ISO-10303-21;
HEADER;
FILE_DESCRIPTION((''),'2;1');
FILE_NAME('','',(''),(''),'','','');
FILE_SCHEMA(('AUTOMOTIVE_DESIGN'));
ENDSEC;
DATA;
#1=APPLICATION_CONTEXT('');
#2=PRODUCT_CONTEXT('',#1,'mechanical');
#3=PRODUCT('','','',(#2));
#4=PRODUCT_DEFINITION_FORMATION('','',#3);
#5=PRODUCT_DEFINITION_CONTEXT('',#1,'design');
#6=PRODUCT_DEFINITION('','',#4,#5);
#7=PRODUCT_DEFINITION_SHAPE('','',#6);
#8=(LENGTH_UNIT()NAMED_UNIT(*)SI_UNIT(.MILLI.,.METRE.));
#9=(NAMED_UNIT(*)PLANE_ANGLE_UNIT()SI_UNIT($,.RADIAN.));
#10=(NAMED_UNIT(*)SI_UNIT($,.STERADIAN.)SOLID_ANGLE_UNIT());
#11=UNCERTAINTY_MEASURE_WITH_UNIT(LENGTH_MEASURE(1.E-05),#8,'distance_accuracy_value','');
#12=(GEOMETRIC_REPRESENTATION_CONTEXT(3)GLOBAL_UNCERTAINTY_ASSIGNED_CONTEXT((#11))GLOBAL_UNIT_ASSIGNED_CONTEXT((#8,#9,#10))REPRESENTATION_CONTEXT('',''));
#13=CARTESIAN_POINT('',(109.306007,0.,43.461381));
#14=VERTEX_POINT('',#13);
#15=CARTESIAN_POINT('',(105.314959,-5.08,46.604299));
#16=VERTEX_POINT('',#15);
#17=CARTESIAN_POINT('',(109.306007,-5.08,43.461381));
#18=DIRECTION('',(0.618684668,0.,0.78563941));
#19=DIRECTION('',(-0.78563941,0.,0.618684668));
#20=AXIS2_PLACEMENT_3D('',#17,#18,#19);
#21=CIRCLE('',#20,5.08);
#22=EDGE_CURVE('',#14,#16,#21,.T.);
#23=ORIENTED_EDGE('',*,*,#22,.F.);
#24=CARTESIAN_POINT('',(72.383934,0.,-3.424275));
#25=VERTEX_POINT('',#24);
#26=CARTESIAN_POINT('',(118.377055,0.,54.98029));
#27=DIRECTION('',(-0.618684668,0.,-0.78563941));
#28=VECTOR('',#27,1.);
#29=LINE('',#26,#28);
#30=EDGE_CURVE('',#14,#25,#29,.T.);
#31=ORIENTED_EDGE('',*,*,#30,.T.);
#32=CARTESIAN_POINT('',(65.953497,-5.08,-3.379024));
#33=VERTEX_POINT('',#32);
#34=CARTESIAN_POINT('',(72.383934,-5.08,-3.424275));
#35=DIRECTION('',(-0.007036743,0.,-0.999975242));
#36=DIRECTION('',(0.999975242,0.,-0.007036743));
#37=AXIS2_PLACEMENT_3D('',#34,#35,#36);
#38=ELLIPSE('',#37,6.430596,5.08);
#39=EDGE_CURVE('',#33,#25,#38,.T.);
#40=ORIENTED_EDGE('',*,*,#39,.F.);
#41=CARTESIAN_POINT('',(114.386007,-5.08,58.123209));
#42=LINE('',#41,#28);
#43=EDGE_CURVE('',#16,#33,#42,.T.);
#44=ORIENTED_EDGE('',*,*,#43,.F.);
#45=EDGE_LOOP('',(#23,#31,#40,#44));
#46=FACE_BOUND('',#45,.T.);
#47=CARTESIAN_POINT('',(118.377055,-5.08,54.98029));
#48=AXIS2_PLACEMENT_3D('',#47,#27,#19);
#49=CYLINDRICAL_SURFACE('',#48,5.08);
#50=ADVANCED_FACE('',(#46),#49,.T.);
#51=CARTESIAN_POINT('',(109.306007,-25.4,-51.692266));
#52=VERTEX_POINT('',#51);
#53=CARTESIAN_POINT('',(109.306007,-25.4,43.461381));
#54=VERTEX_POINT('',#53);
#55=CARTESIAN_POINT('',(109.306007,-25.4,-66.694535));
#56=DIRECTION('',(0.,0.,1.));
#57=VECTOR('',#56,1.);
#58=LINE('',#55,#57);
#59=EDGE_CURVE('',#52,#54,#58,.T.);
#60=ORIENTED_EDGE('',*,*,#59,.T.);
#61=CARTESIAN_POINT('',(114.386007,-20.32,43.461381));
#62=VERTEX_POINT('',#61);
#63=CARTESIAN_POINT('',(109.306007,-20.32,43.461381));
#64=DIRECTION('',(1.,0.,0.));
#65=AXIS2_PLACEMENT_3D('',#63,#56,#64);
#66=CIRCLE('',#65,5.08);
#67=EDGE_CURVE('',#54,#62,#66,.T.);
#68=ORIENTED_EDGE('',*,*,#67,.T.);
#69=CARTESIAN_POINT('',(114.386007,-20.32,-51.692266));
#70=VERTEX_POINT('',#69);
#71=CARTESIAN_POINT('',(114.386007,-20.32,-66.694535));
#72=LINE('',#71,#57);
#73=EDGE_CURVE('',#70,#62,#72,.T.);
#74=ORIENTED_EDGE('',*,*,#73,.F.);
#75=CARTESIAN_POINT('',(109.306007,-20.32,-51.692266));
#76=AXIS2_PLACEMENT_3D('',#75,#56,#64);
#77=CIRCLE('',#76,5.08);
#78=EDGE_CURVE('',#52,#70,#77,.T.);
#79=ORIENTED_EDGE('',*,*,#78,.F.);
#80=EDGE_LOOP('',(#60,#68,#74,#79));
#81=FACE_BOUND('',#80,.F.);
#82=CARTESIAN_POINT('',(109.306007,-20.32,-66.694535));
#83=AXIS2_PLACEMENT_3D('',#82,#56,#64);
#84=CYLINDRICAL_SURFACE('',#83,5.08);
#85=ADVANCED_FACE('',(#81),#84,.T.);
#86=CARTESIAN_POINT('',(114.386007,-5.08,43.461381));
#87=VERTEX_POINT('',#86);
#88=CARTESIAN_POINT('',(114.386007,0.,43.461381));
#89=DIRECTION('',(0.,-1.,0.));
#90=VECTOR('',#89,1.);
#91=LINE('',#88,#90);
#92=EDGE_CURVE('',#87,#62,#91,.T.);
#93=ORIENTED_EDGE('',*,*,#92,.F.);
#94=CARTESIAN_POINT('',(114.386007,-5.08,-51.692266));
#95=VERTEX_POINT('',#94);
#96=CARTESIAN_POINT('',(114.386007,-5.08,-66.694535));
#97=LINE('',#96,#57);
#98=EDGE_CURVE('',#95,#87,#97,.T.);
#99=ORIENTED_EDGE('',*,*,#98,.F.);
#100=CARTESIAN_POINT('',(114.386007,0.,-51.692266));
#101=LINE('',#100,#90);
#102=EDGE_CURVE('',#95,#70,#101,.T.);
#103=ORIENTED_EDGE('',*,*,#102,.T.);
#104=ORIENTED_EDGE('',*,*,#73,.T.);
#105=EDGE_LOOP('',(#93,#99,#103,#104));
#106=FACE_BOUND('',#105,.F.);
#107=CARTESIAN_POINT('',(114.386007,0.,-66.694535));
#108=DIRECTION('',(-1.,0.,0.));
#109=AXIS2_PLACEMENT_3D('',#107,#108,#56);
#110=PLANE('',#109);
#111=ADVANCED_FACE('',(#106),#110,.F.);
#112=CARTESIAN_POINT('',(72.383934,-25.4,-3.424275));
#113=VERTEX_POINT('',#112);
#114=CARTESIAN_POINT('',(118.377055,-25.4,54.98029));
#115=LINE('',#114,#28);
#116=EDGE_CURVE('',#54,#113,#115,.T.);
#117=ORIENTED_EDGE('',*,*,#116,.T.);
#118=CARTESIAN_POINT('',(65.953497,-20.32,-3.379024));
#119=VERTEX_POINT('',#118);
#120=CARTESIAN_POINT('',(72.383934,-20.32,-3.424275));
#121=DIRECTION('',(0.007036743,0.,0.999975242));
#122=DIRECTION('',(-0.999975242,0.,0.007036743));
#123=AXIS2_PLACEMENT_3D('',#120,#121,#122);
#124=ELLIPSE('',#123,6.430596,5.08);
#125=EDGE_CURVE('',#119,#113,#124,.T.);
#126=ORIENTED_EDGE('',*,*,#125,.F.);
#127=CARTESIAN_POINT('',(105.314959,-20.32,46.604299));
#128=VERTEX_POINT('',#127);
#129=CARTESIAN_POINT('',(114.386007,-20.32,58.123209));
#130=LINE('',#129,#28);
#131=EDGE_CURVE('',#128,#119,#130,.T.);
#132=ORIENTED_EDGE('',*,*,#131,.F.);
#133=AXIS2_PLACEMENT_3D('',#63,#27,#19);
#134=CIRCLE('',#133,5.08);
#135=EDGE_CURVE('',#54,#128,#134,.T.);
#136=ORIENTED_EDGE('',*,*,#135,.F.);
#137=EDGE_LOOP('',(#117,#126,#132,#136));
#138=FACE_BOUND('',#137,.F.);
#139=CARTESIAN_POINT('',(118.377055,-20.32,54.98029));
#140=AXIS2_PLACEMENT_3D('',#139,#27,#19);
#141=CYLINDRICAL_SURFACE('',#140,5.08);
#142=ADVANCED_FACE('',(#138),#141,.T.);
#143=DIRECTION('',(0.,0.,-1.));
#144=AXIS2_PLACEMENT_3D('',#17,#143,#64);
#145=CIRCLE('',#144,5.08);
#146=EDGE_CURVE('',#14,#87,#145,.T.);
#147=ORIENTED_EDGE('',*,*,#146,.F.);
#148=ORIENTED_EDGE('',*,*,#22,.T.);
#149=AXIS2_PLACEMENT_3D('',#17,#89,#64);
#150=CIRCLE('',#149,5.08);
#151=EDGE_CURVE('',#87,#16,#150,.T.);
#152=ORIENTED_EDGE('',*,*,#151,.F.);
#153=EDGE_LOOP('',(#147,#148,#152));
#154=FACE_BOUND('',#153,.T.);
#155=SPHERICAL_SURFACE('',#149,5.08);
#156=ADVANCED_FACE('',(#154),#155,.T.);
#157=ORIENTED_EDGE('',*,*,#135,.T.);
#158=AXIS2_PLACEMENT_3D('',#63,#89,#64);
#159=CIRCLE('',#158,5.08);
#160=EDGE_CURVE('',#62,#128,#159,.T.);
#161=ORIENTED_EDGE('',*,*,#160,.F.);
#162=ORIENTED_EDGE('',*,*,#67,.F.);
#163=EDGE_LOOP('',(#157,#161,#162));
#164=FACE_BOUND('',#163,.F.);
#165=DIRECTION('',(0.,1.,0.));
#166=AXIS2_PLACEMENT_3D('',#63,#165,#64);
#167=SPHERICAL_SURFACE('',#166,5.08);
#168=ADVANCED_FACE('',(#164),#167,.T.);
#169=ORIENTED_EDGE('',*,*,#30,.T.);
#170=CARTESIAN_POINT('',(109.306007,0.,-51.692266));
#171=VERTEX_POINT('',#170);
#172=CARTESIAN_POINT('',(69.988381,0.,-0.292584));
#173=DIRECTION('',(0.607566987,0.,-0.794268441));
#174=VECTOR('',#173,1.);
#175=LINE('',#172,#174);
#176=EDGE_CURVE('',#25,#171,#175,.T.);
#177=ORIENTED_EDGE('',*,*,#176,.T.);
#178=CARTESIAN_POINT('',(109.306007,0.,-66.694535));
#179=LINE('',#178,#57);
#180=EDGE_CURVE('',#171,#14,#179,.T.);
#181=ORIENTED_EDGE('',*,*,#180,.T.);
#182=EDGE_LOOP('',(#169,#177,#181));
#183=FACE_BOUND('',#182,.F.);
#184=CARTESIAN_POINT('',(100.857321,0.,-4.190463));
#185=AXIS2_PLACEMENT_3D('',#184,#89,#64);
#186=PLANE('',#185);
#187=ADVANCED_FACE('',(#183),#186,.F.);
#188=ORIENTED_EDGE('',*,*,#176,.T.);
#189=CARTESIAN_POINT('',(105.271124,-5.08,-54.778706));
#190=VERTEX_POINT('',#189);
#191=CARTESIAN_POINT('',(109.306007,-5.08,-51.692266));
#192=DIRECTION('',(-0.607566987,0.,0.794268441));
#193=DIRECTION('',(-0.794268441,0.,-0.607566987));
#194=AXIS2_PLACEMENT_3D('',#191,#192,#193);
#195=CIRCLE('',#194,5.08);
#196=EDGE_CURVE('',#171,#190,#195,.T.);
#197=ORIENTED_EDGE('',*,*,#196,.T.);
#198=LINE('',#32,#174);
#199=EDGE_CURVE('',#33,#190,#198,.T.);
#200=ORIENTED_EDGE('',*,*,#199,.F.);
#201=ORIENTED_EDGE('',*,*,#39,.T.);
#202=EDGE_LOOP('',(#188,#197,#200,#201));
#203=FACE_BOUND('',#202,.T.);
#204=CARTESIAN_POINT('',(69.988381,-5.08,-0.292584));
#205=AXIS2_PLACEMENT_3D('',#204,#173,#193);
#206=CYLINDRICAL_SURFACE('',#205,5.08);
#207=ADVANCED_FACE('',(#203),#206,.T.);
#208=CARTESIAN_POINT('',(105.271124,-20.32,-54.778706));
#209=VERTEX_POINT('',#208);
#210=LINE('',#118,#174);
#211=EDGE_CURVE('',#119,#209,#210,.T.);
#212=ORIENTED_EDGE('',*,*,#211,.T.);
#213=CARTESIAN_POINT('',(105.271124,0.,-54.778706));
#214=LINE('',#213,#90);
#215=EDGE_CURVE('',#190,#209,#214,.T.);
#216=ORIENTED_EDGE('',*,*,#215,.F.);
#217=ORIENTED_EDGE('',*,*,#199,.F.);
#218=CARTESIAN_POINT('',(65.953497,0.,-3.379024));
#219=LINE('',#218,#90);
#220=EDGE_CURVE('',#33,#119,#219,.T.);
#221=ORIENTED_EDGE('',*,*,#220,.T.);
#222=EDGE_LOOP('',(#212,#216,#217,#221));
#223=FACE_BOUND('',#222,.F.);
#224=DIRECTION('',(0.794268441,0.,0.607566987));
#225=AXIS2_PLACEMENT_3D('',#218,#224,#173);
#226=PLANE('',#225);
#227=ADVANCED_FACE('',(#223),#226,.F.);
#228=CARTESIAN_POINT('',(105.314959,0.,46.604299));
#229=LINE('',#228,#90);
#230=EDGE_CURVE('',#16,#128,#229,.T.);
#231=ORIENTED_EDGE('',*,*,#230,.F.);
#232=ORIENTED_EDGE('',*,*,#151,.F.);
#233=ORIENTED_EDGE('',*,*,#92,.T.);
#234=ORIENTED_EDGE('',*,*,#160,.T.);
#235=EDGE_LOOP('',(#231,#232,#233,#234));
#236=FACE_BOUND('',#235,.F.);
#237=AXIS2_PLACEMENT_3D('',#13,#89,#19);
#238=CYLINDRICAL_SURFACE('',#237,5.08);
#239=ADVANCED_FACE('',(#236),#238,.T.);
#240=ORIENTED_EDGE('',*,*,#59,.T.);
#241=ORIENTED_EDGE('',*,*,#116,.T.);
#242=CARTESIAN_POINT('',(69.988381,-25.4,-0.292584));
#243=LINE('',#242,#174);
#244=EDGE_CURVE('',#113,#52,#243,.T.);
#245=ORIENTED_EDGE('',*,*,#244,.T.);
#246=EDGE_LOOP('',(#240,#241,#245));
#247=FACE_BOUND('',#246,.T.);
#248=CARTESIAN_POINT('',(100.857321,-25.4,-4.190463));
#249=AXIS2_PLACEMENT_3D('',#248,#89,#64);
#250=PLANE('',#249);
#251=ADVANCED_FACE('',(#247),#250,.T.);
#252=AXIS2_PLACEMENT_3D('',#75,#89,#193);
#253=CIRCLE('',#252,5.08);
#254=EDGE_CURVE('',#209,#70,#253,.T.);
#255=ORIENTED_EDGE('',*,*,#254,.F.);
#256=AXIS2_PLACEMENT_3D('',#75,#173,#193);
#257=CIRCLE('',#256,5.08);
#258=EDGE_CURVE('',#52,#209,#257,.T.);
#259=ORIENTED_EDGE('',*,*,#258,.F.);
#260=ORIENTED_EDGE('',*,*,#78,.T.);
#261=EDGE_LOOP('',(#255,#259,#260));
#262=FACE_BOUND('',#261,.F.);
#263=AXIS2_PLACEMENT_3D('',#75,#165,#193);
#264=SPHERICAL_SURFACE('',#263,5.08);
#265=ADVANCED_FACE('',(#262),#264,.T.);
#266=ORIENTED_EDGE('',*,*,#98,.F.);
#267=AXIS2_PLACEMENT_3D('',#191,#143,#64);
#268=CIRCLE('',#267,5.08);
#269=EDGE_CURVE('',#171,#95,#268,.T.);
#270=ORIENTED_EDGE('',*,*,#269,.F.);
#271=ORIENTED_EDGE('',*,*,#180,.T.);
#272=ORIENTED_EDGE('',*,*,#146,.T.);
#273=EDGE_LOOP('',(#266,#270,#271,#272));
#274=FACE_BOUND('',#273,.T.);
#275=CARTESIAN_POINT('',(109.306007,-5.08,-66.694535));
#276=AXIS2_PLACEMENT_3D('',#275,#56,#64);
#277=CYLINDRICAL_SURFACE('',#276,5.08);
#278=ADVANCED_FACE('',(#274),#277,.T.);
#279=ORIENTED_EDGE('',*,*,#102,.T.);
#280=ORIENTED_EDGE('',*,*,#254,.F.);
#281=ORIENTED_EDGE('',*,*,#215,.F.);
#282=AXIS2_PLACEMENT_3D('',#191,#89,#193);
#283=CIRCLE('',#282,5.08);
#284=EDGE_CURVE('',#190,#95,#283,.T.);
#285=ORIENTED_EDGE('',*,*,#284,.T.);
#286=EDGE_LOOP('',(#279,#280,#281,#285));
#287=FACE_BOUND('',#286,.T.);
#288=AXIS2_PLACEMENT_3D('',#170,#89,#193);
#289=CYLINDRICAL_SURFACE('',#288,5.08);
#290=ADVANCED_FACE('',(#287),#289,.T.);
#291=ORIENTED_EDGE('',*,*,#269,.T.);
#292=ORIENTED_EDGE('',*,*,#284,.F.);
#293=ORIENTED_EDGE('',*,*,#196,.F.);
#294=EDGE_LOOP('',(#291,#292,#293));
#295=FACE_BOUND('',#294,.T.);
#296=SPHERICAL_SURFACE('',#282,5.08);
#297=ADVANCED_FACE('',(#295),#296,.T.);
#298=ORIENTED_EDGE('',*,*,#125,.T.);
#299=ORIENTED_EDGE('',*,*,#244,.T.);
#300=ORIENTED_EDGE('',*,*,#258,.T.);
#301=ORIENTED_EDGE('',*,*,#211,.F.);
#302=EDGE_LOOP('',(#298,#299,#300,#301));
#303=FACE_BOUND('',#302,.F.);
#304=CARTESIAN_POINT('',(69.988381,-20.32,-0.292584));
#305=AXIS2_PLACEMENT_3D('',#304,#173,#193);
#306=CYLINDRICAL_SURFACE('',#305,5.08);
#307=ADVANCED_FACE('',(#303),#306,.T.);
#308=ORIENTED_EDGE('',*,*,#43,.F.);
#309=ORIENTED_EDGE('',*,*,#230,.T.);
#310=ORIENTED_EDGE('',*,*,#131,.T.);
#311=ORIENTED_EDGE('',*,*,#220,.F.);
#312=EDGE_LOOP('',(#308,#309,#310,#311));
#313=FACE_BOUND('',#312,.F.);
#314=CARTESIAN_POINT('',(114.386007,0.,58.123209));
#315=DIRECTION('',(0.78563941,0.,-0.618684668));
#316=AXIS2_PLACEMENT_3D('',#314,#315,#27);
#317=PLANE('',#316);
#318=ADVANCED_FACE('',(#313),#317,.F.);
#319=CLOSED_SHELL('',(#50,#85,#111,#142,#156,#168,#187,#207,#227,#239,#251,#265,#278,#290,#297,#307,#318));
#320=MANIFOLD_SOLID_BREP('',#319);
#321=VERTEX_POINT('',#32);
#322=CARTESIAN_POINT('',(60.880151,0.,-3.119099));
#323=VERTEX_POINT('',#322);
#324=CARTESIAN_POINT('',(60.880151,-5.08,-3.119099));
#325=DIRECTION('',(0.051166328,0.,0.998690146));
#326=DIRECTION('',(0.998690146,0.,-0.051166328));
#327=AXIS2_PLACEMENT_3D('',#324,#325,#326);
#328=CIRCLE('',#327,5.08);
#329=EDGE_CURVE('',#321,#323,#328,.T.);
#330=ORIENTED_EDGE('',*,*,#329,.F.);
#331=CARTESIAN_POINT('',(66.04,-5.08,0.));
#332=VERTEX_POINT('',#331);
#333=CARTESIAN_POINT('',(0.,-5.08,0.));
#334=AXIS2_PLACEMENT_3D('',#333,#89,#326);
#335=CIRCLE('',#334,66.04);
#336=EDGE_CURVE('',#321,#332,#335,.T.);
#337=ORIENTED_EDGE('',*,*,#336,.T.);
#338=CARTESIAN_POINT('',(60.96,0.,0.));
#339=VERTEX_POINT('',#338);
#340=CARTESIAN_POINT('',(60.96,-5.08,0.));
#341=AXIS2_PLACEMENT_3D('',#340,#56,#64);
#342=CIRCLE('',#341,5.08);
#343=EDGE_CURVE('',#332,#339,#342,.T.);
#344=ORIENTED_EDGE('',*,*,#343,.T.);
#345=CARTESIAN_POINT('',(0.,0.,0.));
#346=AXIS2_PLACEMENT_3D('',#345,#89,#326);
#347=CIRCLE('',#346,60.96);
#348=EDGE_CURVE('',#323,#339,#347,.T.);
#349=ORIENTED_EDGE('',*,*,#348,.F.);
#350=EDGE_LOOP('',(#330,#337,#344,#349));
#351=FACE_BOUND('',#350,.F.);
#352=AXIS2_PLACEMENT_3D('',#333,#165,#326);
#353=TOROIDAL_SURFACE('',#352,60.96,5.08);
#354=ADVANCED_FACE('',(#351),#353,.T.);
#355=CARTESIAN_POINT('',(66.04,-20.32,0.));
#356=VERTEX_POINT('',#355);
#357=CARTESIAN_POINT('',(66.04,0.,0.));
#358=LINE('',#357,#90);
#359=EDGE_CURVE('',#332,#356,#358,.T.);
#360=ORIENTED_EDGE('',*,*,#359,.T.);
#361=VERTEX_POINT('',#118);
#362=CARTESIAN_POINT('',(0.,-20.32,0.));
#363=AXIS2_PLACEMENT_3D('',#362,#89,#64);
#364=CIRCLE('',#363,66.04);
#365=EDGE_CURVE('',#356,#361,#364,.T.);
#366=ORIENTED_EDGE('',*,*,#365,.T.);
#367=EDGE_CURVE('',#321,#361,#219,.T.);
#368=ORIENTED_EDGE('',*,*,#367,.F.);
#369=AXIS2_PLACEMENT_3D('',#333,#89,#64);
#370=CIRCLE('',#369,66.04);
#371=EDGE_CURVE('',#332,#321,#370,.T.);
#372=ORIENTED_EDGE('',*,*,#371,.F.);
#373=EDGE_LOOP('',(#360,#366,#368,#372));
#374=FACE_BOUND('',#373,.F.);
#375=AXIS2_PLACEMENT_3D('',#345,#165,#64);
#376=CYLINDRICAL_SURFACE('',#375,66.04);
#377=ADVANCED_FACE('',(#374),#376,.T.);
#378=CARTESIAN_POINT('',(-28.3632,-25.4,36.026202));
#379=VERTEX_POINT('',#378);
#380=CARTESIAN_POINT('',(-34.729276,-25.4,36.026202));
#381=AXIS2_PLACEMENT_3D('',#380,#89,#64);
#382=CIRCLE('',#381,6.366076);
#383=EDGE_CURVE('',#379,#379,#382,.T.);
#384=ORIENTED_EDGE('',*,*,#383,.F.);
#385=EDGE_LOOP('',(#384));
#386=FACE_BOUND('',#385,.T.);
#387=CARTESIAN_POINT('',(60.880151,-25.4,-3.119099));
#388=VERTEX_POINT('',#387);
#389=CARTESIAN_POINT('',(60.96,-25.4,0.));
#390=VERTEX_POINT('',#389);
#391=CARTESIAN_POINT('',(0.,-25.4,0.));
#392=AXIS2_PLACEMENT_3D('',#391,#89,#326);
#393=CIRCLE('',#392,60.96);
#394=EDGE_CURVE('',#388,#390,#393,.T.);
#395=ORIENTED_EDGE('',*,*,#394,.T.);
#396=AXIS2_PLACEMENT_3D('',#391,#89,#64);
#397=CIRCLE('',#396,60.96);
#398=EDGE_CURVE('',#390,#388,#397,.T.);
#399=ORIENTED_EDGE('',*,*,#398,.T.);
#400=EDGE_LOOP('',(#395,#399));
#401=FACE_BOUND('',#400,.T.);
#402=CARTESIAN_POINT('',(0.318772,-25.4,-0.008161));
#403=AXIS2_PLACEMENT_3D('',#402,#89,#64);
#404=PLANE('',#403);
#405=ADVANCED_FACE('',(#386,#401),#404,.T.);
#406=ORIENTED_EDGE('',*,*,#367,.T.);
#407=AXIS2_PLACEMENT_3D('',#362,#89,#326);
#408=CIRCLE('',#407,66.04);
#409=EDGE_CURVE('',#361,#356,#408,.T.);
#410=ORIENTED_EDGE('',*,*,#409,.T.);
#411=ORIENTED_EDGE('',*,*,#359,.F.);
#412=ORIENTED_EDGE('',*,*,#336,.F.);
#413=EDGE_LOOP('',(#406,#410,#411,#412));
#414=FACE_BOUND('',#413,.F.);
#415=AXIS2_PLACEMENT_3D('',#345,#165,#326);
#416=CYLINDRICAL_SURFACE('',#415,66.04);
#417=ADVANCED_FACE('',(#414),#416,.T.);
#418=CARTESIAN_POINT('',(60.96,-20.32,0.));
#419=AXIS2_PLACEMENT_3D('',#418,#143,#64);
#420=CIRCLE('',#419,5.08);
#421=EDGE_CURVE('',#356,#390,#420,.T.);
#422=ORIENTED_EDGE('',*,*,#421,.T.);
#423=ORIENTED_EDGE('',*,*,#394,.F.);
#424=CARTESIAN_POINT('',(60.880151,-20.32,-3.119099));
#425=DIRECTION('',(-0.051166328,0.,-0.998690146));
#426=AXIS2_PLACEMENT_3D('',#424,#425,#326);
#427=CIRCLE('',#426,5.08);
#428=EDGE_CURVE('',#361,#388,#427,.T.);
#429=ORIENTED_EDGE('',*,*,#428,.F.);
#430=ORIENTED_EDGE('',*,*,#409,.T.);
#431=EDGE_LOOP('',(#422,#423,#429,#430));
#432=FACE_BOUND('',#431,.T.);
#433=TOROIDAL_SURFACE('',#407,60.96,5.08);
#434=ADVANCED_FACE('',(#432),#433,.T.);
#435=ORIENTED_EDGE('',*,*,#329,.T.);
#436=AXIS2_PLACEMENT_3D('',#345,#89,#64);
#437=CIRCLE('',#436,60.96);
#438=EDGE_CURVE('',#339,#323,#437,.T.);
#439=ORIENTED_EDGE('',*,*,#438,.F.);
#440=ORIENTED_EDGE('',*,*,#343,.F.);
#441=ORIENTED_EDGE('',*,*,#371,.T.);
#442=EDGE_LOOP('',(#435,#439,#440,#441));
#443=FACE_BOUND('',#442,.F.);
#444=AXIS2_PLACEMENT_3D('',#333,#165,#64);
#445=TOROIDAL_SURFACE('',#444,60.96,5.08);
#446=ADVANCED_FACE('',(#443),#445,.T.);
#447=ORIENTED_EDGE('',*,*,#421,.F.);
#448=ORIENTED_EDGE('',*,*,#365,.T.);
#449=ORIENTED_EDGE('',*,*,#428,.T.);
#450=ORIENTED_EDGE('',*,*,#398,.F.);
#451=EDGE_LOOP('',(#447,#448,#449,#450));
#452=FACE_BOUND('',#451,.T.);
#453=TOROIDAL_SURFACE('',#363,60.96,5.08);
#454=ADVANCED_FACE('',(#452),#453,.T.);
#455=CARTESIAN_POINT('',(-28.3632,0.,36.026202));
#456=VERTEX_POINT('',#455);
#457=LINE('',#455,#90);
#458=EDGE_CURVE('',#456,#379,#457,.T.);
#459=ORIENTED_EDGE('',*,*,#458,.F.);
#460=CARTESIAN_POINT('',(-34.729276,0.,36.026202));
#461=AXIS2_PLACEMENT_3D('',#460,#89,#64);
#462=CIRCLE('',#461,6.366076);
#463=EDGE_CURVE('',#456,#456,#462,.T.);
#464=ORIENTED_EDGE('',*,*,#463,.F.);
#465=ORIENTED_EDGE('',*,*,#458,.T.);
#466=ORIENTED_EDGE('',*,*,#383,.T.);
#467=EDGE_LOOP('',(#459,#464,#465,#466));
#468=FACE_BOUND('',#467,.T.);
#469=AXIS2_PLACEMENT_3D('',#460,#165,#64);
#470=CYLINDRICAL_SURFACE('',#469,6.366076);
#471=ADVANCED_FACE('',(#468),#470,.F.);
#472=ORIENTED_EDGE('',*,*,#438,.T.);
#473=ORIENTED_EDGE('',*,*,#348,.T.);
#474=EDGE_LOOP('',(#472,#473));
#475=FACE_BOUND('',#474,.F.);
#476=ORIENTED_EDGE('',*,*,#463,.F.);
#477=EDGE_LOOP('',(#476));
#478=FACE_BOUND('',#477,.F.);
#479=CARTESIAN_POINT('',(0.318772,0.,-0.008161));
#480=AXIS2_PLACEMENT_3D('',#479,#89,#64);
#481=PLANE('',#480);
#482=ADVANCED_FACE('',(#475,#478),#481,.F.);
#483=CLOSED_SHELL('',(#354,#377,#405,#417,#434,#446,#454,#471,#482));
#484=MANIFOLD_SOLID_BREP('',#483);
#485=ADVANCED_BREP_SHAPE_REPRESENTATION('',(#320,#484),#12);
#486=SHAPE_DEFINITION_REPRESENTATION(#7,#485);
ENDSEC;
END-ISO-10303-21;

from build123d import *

# Parameters (mm, degrees)
F1_DEPTH = 25.4
F2_R     = 5.08
F2_2_R   = 5.08
F3_R     = 6.3660759479
F4_DEPTH = 25.4


with BuildPart() as f1:
    # F0 (on Front) → F1 (new body)
    with BuildSketch(Plane.XZ):
        with BuildLine():
            ThreePointArc((65.9534972126, -3.3790243298), (66.0183707612, -1.6900656906), (66.04, 0))
            ThreePointArc((66.04, 0), (-66.0183707612, 1.6900656906), (65.9534972126, -3.3790243298))
        make_face()
    extrude(amount=F1_DEPTH)

    # F2
    f2_edges = [f1.edges().sort_by_distance(p)[0] for p in [
        (-65.953497, -25.4, 3.379024),
        (-65.953497, 0, 3.379024),
    ]]
    fillet(f2_edges, radius=F2_R)

    # F3 (on Front) → F4 (cut)
    with BuildSketch(Plane.XZ):
        with Locations((-34.7292758524, 36.0262021422)):
            Circle(F3_R)
    extrude(amount=F4_DEPTH, mode=Mode.SUBTRACT)


with BuildPart() as f1b:
    # F0 (on Front) → F1, piece 2 (new body)
    with BuildSketch(Plane.XZ):
        Polygon((114.3860071898, 58.1232085824), (65.9534972126, -3.3790243298), (114.3860071898, -66.694535315), align=None)
    extrude(amount=F1_DEPTH)

    # F2#2
    f2_2_edges = [f1b.edges().sort_by_distance(p)[0] for p in [
        (90.169752, -25.4, 27.372092),
        (114.386007, -12.7, 58.123209),
        (114.386007, 0, -4.285663),
        (114.386007, -12.7, -66.694535),
        (90.169752, -25.4, -35.03678),
        (114.386007, -25.4, -4.285663),
        (90.169752, 0, -35.03678),
        (90.169752, 0, 27.372092),
    ]]
    fillet(f2_2_edges, radius=F2_2_R)


solid = Compound([f1.part, f1b.part])
